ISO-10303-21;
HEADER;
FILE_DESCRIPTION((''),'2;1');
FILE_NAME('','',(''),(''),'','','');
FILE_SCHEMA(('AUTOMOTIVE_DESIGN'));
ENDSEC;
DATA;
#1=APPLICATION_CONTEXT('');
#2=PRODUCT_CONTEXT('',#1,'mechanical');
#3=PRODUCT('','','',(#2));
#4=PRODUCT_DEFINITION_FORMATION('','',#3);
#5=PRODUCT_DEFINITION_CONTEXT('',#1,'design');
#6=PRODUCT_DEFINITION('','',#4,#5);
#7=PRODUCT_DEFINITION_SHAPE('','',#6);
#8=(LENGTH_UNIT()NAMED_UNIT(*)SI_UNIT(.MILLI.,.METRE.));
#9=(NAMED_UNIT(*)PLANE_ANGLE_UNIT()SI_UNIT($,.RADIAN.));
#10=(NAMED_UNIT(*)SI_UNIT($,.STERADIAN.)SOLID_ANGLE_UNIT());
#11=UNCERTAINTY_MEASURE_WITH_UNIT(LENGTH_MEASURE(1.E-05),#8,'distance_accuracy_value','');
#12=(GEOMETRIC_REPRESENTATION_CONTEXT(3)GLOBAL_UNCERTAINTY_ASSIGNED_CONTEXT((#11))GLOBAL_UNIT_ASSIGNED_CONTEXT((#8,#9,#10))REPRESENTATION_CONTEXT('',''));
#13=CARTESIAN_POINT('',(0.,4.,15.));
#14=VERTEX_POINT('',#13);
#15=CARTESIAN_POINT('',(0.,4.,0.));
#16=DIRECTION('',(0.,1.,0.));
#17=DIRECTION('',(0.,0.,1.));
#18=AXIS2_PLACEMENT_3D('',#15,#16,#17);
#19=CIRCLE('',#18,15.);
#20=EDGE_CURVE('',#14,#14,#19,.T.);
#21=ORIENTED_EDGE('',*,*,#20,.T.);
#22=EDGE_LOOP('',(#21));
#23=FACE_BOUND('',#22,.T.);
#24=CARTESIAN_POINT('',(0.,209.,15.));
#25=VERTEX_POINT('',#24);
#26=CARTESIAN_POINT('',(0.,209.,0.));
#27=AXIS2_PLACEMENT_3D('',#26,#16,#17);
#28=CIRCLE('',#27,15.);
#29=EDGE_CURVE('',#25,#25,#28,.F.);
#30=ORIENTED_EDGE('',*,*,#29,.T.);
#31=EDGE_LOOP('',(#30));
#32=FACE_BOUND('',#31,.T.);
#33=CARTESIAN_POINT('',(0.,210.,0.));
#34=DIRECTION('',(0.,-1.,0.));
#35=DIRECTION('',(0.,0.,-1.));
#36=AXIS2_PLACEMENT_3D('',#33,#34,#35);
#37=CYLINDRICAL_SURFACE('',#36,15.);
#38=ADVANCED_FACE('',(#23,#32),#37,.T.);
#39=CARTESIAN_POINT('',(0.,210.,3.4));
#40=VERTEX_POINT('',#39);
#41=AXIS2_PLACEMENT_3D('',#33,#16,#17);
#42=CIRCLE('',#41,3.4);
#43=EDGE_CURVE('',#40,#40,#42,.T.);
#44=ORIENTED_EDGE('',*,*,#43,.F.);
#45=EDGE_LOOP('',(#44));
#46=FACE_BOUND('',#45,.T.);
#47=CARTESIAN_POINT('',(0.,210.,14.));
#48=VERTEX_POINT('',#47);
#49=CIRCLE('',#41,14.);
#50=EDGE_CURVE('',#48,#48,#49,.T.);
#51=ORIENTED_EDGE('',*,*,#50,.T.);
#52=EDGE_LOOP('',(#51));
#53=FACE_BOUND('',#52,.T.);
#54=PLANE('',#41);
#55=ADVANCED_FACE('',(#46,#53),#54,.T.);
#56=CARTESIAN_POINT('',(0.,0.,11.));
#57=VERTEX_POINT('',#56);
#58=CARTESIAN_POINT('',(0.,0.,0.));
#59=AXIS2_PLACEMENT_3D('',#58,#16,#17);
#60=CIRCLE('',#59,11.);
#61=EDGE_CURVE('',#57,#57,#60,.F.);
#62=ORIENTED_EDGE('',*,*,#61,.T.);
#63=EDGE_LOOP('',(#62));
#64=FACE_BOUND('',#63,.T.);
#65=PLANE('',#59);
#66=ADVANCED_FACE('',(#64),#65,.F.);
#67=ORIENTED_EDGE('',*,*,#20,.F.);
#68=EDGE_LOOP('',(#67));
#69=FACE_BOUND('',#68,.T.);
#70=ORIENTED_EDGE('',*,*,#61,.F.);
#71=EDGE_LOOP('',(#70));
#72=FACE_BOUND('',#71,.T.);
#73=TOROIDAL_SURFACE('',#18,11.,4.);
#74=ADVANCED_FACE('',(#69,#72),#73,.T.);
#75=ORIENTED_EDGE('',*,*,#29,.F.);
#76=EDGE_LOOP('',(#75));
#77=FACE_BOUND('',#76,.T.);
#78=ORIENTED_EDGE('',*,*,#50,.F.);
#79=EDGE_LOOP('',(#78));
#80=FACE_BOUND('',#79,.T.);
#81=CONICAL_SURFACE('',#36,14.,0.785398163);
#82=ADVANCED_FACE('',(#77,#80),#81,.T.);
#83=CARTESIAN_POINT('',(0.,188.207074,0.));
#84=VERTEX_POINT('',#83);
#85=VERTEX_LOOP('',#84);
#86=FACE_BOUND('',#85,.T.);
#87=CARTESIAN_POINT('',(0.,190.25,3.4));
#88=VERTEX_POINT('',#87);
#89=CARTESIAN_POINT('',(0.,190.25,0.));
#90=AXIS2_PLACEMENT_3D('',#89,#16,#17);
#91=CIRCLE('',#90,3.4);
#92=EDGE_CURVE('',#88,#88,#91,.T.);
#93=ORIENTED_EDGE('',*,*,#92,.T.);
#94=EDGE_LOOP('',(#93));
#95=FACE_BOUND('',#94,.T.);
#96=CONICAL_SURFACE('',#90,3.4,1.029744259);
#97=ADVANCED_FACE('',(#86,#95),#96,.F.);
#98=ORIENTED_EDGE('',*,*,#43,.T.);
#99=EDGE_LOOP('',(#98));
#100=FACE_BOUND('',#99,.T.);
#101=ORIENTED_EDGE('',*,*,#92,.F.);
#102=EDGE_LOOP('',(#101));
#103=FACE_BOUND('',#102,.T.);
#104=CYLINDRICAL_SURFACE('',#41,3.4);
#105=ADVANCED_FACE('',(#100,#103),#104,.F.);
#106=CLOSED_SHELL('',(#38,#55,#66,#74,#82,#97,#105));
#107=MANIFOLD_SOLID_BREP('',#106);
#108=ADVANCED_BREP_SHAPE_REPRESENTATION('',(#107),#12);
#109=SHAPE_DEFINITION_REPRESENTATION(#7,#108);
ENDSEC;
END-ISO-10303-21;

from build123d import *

# Parameters (mm, degrees)
SKETCH1_R                  = 15
BOSS_EXTRUDE1_DEPTH        = 210
FILLET1_R                  = 4
CHAMFER1_SIZE              = 1
M8X1_25_TAPPED_HOLE1_D     = 6.8
M8X1_25_TAPPED_HOLE1_DEPTH = 19.75
M8X1_25_TAPPED_HOLE1_TIP   = 2.042926105


with BuildPart() as part:
    # Sketch1 → Boss-Extrude1 (new body)
    with BuildSketch(Plane(origin=(0, 0, 0), x_dir=(1, 0, 0), z_dir=(0, 1, 0))):
        with Locations(Location((0, 0, 0), (0, 0, 270))):
            Circle(SKETCH1_R)
    extrude(amount=BOSS_EXTRUDE1_DEPTH)

    # Fillet1
    fillet1_edges = [part.edges().sort_by_distance(p)[0] for p in [
        (0, 0, -15),
    ]]
    fillet(fillet1_edges, radius=FILLET1_R)

    # Chamfer1
    chamfer1_edges = [part.edges().sort_by_distance(p)[0] for p in [
        (0, 210, -15),
    ]]
    chamfer(chamfer1_edges, length=CHAMFER1_SIZE)

    # M8x1.25 Tapped Hole1
    with Locations(Plane(origin=(0, 210, 0), x_dir=(1, 0, 0), z_dir=(0, 1, 0))):
        with Locations((0, 0)):
            Hole(M8X1_25_TAPPED_HOLE1_D / 2, depth=M8X1_25_TAPPED_HOLE1_DEPTH)
            with Locations((0, 0, -(M8X1_25_TAPPED_HOLE1_DEPTH + M8X1_25_TAPPED_HOLE1_TIP / 2))):  # 118° drill point
                Cone(0, M8X1_25_TAPPED_HOLE1_D / 2, M8X1_25_TAPPED_HOLE1_TIP, mode=Mode.SUBTRACT)


solid = part.part
